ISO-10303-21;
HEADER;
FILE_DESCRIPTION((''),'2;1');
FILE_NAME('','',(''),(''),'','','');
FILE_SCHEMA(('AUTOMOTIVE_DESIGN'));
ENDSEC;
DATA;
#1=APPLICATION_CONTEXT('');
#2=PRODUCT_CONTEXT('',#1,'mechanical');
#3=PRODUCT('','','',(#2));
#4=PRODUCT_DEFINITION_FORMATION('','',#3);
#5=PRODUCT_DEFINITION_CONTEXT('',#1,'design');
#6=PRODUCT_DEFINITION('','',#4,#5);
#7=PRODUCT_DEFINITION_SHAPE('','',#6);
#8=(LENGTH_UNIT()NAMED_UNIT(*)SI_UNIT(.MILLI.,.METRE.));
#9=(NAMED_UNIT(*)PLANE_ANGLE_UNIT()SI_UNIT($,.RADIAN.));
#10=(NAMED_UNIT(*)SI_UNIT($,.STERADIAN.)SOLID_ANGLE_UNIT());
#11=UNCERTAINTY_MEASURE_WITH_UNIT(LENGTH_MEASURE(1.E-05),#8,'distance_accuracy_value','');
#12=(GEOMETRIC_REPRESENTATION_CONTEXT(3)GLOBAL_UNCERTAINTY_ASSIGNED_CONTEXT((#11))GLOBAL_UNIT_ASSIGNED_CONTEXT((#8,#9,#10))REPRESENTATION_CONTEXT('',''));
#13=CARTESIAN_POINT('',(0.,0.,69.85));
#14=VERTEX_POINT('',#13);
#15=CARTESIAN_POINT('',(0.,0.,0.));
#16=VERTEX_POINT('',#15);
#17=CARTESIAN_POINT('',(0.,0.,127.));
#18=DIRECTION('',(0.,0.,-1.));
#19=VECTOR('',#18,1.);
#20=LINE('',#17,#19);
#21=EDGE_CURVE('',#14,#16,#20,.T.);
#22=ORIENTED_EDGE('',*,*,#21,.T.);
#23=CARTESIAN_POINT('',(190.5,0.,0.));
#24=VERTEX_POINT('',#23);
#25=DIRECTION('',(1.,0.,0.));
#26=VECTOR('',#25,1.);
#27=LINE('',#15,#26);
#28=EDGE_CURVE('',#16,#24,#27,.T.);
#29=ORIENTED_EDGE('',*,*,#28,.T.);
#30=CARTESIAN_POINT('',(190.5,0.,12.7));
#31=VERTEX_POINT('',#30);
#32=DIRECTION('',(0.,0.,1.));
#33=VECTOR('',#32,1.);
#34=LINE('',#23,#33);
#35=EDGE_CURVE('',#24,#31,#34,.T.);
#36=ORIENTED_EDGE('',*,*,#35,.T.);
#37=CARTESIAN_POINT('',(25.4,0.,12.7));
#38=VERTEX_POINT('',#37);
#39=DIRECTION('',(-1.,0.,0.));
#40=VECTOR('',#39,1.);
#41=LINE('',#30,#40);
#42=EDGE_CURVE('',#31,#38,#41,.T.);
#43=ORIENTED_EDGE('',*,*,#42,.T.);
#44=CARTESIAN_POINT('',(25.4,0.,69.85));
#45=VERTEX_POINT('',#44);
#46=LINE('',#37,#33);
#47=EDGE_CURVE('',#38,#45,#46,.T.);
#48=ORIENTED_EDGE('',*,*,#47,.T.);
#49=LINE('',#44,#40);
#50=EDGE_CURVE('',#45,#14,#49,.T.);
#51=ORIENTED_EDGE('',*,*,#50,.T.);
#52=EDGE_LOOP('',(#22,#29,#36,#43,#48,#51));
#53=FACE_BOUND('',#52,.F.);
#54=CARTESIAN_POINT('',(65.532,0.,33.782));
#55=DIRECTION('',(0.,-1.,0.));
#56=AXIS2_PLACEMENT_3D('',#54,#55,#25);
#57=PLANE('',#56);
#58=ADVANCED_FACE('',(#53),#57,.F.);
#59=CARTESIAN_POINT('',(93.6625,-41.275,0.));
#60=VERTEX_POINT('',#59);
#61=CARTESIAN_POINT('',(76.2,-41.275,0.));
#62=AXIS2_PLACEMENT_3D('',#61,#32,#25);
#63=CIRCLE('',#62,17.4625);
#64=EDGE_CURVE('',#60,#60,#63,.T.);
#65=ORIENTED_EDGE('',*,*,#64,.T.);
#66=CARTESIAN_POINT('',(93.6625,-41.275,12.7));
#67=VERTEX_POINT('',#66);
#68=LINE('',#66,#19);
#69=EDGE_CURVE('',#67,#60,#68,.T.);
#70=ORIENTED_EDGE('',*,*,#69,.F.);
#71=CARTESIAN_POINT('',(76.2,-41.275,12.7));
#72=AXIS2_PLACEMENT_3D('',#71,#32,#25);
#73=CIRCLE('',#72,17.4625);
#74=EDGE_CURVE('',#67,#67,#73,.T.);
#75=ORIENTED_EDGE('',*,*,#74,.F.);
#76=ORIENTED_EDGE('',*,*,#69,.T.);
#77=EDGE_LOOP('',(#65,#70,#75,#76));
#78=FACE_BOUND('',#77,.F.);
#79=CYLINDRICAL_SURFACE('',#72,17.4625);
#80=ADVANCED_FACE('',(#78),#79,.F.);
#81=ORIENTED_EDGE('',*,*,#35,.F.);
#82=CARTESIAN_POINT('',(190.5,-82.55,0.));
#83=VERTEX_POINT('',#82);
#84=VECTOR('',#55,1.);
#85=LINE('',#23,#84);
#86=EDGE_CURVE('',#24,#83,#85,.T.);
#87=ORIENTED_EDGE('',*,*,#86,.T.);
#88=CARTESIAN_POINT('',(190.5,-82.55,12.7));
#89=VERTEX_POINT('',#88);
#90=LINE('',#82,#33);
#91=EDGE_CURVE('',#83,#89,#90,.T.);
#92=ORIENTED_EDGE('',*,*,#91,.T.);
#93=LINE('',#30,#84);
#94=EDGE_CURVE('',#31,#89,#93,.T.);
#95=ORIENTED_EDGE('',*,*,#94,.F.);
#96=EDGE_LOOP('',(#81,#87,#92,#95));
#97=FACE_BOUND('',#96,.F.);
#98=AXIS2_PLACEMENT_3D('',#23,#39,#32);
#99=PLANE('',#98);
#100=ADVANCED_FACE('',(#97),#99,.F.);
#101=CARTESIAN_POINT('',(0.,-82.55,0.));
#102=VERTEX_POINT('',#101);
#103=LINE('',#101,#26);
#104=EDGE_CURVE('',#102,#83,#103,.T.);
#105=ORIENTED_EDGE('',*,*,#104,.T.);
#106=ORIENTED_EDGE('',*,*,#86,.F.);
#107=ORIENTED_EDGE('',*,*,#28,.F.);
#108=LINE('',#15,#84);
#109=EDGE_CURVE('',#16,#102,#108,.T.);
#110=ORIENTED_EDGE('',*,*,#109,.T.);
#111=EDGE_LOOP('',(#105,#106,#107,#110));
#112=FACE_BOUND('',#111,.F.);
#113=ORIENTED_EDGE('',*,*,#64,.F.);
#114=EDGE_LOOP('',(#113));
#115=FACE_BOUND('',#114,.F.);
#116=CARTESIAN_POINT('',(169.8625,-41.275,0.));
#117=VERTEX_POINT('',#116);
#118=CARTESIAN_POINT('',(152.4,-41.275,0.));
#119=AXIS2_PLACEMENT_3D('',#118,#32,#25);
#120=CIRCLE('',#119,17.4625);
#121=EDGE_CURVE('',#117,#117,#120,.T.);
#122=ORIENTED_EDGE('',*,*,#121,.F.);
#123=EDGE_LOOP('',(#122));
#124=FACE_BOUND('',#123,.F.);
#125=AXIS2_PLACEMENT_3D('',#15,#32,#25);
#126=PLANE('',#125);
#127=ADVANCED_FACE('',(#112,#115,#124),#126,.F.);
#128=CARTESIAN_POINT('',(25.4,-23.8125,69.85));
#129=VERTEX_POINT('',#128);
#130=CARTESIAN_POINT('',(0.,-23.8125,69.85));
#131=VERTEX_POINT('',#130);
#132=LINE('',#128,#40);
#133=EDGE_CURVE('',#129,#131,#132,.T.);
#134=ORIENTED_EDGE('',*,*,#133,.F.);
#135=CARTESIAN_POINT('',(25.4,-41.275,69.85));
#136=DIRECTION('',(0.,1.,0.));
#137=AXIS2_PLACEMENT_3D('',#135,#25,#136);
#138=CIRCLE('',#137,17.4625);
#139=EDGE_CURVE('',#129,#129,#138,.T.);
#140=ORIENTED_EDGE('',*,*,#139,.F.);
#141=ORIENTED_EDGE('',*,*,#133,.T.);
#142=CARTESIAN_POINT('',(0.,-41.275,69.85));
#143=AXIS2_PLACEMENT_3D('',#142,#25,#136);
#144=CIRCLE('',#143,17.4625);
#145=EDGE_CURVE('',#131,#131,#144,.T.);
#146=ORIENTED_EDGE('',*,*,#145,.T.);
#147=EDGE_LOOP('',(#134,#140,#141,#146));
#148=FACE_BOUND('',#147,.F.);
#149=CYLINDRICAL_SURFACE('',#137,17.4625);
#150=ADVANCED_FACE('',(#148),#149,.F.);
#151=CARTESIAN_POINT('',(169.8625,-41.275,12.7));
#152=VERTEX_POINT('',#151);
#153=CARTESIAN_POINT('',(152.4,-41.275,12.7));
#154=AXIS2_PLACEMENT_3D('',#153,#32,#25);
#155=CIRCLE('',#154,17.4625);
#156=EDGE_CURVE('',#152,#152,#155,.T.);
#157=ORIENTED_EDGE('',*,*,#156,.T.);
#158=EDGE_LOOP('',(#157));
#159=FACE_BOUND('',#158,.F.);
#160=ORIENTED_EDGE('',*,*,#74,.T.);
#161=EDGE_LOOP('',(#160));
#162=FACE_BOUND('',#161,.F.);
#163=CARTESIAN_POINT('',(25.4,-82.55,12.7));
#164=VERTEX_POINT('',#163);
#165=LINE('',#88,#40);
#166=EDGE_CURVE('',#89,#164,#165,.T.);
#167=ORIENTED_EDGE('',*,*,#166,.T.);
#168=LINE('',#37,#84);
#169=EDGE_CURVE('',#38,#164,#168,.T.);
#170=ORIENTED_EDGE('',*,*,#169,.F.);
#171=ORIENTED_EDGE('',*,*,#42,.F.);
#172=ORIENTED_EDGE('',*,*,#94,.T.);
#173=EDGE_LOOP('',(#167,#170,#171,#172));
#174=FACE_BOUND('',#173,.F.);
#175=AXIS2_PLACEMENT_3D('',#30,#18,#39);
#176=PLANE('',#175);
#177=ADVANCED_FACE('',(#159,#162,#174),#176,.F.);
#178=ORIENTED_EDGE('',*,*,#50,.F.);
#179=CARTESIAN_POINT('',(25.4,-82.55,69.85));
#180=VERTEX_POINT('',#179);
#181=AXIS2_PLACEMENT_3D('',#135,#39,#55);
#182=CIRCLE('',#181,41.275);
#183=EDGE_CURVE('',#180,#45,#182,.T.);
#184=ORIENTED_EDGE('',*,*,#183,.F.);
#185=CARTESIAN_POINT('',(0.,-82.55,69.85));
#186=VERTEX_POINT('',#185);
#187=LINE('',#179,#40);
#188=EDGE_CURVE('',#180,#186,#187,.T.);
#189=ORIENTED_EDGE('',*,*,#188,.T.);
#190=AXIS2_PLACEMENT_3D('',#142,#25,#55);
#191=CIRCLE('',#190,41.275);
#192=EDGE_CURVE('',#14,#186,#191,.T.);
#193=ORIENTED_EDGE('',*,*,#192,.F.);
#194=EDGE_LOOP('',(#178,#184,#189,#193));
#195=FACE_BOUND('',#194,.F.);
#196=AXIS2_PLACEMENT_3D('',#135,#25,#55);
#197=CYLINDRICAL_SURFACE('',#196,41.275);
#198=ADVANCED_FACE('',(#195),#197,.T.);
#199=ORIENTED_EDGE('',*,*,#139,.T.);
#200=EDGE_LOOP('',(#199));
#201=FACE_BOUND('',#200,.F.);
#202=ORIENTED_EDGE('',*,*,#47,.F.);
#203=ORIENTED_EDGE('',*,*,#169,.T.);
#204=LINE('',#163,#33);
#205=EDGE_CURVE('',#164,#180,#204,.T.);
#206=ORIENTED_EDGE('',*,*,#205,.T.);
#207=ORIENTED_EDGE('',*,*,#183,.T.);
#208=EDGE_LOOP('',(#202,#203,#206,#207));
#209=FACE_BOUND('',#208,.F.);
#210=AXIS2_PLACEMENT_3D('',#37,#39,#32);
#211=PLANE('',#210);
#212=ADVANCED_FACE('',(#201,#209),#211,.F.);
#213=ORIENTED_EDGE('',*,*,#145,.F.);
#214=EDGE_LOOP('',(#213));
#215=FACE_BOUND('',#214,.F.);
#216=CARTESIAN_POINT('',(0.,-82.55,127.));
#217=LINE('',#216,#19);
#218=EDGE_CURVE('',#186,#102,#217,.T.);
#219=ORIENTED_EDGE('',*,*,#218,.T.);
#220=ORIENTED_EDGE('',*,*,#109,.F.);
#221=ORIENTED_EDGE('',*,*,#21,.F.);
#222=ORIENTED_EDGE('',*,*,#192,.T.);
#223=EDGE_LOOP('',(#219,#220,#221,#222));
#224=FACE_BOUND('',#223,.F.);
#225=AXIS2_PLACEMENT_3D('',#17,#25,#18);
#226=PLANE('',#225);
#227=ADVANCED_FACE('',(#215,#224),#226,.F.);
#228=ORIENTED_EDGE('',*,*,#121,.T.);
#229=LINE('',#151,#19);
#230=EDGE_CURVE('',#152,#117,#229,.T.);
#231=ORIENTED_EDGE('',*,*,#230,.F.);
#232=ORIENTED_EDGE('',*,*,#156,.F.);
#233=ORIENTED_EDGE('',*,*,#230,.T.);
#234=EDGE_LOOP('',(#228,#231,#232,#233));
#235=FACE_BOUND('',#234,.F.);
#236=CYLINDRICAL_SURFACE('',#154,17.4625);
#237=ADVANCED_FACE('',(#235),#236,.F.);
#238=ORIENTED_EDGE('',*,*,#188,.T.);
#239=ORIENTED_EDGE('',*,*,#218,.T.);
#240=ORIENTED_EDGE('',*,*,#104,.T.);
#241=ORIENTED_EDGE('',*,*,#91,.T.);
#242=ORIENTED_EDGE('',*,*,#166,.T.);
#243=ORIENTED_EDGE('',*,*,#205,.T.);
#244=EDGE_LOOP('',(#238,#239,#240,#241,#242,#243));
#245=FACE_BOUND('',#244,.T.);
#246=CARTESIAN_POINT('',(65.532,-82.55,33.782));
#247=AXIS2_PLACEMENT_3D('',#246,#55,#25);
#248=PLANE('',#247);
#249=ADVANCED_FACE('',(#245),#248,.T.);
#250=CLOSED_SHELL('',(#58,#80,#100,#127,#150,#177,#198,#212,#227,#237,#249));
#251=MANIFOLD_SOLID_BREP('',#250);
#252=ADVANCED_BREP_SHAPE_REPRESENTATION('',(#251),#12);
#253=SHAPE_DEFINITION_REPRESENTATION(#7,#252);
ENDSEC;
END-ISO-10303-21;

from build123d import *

# Parameters (mm, degrees)
F1_DEPTH = 82.55
F2_R     = 17.4625
F3_DEPTH = 25.401
F4_R     = 17.4625
F5_DEPTH = 12.701


with BuildPart() as f1:
    # F0 (on Front) → F1 (new body)
    with BuildSketch(Plane.XZ):
        Polygon((0, 127), (0, 0), (190.5, 0), (190.5, 12.7), (25.4, 12.7), (25.4, 127), align=None)
    extrude(amount=F1_DEPTH)

    # F2 (on face) → F3 (cut, through all)
    with BuildSketch(Plane.YZ.offset(25.4)):
        with Locations((-41.275, 69.85)):
            Circle(F2_R)
        with BuildLine():
            ThreePointArc((-82.55, 69.85), (-41.275, 111.125), (0, 69.85))
            Line((0, 69.85), (0, 127))
            Line((0, 127), (-82.55, 127))
            Line((-82.55, 127), (-82.55, 69.85))
        make_face()
    extrude(amount=-F3_DEPTH, mode=Mode.SUBTRACT)

    # F4 (on face) → F5 (cut, through all)
    with BuildSketch(Plane.XY.offset(12.7)):
        with Locations((152.4, -41.275)):
            Circle(F4_R)
        with Locations((76.2, -41.275)):
            Circle(F4_R)
    extrude(amount=-F5_DEPTH, mode=Mode.SUBTRACT)


solid = f1.part
